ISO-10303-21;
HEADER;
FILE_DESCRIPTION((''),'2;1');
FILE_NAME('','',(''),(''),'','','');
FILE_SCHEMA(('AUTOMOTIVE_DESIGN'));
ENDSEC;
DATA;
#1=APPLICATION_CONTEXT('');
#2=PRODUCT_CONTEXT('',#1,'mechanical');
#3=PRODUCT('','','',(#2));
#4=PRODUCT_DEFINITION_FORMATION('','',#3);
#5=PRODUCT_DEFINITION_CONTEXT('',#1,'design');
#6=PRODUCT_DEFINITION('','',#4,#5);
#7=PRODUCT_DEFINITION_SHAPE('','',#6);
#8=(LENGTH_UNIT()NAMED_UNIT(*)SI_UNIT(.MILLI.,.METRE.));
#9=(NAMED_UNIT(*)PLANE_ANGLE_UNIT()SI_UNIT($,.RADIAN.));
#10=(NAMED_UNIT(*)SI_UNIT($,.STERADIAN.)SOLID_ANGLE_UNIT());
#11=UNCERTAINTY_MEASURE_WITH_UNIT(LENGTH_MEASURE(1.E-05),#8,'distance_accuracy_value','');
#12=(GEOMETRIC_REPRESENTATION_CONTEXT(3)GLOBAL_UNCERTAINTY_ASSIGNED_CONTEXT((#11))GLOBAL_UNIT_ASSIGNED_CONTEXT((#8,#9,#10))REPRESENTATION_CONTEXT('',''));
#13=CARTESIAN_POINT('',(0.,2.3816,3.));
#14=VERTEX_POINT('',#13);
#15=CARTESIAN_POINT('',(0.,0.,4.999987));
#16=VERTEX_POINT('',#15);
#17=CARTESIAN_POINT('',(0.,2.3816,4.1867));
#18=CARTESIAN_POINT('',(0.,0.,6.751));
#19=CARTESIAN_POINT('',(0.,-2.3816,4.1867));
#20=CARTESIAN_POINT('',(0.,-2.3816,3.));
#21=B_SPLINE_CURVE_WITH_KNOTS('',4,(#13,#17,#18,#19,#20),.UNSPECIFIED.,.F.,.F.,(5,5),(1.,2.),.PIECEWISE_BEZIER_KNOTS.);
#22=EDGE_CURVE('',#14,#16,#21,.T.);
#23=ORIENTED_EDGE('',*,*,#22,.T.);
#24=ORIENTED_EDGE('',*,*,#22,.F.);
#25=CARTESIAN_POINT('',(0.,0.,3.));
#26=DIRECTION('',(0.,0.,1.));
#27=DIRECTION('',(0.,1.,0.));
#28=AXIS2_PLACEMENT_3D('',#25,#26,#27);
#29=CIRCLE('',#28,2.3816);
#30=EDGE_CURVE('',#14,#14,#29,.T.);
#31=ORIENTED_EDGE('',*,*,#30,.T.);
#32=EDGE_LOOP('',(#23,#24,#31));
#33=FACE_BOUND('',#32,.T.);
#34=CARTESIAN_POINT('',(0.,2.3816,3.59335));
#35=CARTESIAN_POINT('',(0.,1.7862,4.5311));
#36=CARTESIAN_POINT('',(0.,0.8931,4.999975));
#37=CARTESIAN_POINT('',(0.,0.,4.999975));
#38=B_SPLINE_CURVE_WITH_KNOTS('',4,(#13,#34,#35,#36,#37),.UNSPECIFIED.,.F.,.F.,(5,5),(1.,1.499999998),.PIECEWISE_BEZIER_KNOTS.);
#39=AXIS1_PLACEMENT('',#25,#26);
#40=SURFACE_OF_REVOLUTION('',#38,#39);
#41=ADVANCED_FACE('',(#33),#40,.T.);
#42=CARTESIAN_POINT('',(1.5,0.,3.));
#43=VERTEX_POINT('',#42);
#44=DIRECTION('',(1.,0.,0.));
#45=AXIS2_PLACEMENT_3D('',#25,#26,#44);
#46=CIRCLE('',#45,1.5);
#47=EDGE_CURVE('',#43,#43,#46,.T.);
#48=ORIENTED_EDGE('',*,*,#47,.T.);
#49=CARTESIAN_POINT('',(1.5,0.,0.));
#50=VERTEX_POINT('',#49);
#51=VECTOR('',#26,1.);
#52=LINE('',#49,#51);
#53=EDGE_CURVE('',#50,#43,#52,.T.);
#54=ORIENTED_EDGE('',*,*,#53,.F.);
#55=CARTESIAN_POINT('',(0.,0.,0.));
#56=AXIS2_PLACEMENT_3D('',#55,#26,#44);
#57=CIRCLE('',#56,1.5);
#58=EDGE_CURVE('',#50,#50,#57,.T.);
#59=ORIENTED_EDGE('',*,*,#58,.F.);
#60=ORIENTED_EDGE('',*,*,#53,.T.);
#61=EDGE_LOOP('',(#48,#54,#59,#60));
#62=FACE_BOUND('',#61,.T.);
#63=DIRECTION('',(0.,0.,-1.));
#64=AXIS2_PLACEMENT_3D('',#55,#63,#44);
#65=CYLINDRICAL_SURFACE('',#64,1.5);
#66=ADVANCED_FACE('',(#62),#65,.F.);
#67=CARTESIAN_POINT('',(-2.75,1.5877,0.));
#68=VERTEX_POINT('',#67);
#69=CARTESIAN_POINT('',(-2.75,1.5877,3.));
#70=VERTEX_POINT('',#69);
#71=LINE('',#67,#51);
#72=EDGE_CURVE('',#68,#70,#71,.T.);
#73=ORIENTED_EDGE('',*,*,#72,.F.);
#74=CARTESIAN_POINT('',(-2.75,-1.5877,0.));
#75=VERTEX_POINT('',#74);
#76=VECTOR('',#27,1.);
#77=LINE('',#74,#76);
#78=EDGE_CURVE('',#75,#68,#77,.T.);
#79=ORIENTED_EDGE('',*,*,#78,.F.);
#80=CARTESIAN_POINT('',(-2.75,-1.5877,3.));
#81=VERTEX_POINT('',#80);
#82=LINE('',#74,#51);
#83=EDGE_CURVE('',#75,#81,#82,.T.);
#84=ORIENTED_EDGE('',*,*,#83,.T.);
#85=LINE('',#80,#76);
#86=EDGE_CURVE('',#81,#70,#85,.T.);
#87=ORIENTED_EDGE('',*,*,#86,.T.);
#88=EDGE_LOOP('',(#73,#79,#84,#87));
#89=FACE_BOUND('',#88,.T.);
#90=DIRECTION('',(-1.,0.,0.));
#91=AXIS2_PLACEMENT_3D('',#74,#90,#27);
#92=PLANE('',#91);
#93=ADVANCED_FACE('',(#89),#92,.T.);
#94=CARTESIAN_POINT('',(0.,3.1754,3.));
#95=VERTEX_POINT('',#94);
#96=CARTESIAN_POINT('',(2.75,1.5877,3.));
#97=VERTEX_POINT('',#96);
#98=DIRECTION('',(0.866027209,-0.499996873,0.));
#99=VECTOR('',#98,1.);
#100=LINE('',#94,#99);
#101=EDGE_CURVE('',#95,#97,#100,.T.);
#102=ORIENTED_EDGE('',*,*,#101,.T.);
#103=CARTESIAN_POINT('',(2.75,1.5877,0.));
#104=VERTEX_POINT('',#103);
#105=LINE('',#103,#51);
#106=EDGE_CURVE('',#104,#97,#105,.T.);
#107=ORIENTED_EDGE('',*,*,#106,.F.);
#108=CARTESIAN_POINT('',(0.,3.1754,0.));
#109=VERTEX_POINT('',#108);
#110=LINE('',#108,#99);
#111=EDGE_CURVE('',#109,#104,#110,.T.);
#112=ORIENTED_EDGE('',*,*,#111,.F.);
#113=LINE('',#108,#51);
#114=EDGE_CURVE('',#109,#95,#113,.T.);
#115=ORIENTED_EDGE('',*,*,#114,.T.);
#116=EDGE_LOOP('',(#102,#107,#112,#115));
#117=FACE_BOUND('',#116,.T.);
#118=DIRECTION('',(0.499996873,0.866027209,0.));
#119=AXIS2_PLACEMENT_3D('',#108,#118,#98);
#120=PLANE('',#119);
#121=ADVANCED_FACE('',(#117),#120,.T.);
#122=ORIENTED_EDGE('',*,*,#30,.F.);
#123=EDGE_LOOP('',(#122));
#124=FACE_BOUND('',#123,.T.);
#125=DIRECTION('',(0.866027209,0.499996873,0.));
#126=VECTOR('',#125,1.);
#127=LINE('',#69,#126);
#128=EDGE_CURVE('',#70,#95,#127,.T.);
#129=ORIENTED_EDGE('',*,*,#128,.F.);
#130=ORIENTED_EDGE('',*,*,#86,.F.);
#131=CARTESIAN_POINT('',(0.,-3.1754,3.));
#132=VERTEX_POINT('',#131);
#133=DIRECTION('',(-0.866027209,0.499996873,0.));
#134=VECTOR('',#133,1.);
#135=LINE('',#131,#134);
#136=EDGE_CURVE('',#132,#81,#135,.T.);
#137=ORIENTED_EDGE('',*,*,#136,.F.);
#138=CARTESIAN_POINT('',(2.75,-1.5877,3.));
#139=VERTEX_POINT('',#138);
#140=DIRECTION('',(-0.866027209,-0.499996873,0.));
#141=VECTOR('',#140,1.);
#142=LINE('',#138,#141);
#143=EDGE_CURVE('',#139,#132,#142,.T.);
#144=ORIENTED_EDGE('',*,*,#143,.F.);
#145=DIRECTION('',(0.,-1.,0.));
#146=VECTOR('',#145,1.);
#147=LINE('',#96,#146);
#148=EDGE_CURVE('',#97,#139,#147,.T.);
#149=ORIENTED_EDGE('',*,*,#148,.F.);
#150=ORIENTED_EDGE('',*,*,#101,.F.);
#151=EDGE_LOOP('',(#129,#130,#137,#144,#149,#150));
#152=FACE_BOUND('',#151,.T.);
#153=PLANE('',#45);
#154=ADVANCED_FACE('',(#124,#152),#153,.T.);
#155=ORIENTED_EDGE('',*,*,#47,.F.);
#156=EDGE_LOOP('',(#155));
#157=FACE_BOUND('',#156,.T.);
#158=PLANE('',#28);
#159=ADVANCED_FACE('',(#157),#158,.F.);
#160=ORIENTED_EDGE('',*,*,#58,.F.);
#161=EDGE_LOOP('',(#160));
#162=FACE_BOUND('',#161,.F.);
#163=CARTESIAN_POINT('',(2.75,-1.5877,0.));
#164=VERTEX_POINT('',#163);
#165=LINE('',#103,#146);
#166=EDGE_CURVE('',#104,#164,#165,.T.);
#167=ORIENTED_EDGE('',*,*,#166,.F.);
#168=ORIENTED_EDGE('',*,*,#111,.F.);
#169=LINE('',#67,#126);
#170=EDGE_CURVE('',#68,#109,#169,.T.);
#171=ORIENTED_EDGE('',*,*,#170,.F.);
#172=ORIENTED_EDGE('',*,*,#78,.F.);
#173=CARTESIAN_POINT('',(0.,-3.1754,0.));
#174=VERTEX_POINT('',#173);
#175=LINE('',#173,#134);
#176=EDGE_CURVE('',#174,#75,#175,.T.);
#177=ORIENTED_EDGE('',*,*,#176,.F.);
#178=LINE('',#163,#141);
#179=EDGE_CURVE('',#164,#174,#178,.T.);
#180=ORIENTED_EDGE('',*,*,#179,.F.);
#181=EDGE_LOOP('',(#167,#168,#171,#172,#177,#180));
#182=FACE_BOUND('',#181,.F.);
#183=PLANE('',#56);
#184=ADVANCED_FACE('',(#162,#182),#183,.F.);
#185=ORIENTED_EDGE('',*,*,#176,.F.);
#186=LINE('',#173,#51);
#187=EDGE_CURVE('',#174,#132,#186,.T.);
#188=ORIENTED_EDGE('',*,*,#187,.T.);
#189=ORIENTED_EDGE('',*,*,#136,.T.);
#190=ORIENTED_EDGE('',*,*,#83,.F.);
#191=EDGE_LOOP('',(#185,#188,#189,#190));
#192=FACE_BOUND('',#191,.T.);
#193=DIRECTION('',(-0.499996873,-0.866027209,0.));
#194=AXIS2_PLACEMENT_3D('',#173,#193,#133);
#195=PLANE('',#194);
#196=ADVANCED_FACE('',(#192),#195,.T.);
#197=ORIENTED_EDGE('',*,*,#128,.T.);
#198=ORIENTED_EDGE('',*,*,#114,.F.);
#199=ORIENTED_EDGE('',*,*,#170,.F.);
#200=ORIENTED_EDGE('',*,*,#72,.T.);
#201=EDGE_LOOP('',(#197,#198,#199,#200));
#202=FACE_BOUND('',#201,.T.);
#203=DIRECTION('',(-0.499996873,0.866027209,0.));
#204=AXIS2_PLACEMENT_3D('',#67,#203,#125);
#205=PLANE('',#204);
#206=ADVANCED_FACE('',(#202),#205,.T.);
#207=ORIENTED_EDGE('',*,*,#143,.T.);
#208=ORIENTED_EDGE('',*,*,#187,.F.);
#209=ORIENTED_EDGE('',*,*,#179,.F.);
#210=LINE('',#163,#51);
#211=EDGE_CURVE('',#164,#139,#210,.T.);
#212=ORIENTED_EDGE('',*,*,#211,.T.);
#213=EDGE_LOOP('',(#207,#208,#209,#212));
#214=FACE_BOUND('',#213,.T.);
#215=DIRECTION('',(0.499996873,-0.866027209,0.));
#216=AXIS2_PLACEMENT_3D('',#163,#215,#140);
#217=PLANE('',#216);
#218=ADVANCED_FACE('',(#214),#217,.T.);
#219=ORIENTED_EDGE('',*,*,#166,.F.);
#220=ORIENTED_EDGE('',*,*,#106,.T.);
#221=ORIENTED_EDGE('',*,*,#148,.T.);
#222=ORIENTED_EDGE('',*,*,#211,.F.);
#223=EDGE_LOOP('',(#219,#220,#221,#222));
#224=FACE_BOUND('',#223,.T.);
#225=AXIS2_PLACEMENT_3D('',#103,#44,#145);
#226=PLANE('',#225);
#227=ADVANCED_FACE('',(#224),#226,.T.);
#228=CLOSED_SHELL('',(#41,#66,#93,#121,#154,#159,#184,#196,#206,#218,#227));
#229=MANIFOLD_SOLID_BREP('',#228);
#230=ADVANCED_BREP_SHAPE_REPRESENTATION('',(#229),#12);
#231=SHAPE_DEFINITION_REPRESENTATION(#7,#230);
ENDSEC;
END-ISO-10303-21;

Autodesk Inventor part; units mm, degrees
ref_plane "YZ Plane" through (0, 0, 0) normal (1, 0, 0) x (0, 1, 0)
ref_plane "XZ Plane" through (0, 0, 0) normal (0, 1, 0) x (-1, 0, 0)
ref_plane "XY Plane" through (0, 0, 0) normal (0, 0, 1) x (1, 0, 0)
sketch "Sketch1" plane through (0, 0, 0) normal (0, 0, 1) x (1, 0, 0)
  line L0 (2.75, 1.5877) -> (2.75, -1.5877)
  line L1 (2.75, -1.5877) -> (0, -3.1754)
  line L2 (0, -3.1754) -> (-2.75, -1.5877)
  line L3 (-2.75, -1.5877) -> (-2.75, 1.5877)
  line L4 (-2.75, 1.5877) -> (0, 3.1754)
  line L5 (0, 3.1754) -> (2.75, 1.5877)
  circle A0 centre (0, 0) radius 1.5
  dimension "d0" = 5.5
  dimension "d1" = 3
extrude "Extrusion1" add sketch "Sketch1" along normal blind 3
sketch "Sketch2" plane through (0, 0, 0) normal (1, 0, 0) x (0, 1, 0)
  line L0 (2.3816, 3) -> (2.3816, 4.1867) construction
  line L1 (2.3816, 4.1867) -> (0, 6.751) construction
  line L2 (0, 6.751) -> (-2.3816, 4.1867) construction
  line L3 (-2.3816, 4.1867) -> (-2.3816, 3) construction
  spline S0 degree 4 poles (2.3816, 3) (2.3816, 4.1867) (0, 6.751) (-2.3816, 4.1867) (-2.3816, 3) knots 1 1 1 1 1 2 2 2 2 2
  line L4 (0.553, 5) -> (-1.6263, 5)
  line L5 (-3.1754, 0) -> (-1.5877, 0) projected
  line L6 (-1.5877, 3) -> (1.5877, 3) projected
  line L7 (-3.1754, 3) -> (-1.5877, 3) projected
  line L8 (1.5877, 3) -> (3.1754, 3) projected
  line L9 (2.3816, 3) -> (-2.3816, 3)
  line L10 (0, 3) -> (0, 6.751)
  line L11 (1.5877, 3) -> (-1.5877, 3) projected
  point P0 (0, 0)
  point P1 (0, 5)
  dimension "d4" = 5
revolve "Revolution1" add sketch "Sketch2" angle 360 about axis through (0, 0, 3) along (0, 0, 1) contours L8 L6 L10 S0
thread "Thread1" size "M3x0.5" class "6H" standard "ANSI Metric M Profile" full length
properties part number "M3 Acorn Nut"
